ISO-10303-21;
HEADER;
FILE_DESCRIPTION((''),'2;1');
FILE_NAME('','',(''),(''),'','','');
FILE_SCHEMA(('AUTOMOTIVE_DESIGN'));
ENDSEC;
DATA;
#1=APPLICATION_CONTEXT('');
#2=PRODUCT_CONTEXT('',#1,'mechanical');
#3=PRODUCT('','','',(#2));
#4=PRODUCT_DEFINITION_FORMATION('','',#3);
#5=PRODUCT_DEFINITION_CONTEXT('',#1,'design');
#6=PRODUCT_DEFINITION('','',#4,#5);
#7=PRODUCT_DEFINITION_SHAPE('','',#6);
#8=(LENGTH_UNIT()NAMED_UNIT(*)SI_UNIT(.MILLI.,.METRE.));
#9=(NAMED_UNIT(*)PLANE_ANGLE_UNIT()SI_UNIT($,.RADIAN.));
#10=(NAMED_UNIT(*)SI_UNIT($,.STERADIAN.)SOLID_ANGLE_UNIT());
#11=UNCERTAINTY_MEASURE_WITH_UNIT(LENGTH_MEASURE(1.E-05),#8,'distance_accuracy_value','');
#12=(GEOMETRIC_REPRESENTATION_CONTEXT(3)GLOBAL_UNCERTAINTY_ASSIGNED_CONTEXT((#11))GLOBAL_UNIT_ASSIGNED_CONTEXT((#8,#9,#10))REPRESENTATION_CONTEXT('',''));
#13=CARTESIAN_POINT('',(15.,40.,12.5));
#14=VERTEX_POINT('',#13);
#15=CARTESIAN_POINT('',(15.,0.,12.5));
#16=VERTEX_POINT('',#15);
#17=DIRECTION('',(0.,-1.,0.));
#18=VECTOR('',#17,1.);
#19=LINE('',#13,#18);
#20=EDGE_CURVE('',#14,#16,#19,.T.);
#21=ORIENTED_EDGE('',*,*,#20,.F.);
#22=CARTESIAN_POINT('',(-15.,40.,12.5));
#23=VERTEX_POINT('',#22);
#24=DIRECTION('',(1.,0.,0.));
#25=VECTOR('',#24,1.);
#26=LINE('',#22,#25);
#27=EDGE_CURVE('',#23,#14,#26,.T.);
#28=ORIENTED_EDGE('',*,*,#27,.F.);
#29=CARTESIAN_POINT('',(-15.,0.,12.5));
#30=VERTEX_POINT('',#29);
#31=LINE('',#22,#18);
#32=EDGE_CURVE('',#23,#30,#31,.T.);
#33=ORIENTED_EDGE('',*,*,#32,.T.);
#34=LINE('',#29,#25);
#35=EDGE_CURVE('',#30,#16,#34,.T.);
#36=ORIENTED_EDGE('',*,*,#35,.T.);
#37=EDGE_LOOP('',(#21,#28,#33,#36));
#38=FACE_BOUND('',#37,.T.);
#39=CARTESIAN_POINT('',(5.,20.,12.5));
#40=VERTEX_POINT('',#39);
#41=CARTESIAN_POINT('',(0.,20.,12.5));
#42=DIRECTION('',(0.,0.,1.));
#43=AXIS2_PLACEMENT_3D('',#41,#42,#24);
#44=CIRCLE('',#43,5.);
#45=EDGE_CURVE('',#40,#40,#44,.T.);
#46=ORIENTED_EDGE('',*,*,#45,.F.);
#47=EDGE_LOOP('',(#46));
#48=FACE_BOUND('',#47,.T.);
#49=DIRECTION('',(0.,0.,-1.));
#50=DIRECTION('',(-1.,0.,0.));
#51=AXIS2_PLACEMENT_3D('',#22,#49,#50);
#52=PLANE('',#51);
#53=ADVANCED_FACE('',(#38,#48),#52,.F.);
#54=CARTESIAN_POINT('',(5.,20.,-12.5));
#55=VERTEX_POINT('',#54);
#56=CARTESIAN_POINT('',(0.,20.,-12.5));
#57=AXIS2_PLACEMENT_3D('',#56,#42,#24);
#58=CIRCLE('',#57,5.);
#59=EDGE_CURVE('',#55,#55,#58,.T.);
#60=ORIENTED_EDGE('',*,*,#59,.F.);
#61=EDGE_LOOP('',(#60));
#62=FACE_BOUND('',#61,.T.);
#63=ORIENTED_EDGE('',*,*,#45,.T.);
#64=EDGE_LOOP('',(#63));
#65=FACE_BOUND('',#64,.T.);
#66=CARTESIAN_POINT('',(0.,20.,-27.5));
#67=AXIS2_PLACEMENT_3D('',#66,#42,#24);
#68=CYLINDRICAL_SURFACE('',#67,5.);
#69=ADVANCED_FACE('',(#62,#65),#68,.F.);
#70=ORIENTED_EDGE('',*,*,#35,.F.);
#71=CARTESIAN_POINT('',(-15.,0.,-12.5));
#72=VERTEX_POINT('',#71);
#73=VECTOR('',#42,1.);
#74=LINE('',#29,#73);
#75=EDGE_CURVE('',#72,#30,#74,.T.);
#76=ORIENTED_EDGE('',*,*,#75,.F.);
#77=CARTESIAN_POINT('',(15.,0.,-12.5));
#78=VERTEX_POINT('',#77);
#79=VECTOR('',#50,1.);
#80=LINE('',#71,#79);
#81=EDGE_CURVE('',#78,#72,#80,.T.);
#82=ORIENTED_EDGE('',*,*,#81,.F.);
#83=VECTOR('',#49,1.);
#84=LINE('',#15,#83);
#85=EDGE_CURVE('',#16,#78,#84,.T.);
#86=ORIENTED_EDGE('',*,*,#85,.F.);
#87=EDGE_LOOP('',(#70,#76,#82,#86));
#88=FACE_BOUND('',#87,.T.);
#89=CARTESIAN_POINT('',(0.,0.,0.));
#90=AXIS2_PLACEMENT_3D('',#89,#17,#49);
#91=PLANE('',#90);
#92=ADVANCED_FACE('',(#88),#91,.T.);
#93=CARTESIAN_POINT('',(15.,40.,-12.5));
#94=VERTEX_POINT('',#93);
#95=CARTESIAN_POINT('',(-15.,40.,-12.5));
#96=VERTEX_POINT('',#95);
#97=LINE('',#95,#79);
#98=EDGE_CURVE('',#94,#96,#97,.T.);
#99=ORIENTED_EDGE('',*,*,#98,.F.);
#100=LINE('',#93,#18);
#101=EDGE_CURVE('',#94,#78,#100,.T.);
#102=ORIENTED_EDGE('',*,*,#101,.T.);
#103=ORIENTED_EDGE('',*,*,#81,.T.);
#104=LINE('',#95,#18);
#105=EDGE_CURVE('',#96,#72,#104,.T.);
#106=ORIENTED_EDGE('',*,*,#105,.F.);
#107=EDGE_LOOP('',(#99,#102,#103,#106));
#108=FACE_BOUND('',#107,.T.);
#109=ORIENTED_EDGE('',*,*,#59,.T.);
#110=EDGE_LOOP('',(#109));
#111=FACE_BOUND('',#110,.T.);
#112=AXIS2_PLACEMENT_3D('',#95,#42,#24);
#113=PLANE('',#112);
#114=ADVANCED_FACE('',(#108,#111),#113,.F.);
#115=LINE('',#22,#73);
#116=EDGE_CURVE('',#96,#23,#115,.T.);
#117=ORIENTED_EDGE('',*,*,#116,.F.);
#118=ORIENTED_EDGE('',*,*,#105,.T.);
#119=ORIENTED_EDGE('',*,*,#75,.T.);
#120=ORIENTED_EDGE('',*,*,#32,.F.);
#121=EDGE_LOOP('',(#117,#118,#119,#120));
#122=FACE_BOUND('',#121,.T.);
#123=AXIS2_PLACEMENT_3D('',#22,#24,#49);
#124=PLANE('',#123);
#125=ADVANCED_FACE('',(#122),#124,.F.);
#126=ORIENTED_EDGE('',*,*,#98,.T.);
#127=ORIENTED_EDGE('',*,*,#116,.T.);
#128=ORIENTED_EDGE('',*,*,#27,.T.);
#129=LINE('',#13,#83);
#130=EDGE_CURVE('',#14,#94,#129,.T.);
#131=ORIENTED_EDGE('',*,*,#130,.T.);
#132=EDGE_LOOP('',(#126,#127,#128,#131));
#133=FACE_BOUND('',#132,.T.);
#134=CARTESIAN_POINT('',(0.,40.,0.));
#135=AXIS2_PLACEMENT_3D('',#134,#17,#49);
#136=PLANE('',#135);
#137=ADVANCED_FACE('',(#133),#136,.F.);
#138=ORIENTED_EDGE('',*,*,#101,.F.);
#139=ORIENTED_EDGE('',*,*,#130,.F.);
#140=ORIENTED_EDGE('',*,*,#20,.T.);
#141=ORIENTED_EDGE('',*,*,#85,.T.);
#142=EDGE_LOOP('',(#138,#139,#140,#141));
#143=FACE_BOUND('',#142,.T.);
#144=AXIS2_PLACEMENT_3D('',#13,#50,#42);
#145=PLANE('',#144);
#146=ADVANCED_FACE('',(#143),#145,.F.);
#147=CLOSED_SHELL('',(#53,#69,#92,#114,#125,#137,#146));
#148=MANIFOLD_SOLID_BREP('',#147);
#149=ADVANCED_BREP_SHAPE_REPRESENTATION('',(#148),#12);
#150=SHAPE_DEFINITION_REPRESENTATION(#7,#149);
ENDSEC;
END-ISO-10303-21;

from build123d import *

# Parameters (mm, degrees)
SKETCH1_W           = 30
SKETCH1_H           = 25
BOSS_EXTRUDE1_DEPTH = 40
SKETCH2_R           = 5
CUT_EXTRUDE1_DEPTH  = 40


with BuildPart() as part:
    # Sketch1 → Boss-Extrude1 (new body)
    with BuildSketch(Plane(origin=(0, 0, 0), x_dir=(1, 0, 0), z_dir=(0, 1, 0))):
        Rectangle(SKETCH1_W, SKETCH1_H)
    extrude(amount=BOSS_EXTRUDE1_DEPTH)

    # Sketch2 → Cut-Extrude1 (cut)
    with BuildSketch(Plane.XY.offset(12.5)):
        with Locations((0, 20)):
            Circle(SKETCH2_R)
    extrude(amount=-CUT_EXTRUDE1_DEPTH, mode=Mode.SUBTRACT)


solid = part.part
